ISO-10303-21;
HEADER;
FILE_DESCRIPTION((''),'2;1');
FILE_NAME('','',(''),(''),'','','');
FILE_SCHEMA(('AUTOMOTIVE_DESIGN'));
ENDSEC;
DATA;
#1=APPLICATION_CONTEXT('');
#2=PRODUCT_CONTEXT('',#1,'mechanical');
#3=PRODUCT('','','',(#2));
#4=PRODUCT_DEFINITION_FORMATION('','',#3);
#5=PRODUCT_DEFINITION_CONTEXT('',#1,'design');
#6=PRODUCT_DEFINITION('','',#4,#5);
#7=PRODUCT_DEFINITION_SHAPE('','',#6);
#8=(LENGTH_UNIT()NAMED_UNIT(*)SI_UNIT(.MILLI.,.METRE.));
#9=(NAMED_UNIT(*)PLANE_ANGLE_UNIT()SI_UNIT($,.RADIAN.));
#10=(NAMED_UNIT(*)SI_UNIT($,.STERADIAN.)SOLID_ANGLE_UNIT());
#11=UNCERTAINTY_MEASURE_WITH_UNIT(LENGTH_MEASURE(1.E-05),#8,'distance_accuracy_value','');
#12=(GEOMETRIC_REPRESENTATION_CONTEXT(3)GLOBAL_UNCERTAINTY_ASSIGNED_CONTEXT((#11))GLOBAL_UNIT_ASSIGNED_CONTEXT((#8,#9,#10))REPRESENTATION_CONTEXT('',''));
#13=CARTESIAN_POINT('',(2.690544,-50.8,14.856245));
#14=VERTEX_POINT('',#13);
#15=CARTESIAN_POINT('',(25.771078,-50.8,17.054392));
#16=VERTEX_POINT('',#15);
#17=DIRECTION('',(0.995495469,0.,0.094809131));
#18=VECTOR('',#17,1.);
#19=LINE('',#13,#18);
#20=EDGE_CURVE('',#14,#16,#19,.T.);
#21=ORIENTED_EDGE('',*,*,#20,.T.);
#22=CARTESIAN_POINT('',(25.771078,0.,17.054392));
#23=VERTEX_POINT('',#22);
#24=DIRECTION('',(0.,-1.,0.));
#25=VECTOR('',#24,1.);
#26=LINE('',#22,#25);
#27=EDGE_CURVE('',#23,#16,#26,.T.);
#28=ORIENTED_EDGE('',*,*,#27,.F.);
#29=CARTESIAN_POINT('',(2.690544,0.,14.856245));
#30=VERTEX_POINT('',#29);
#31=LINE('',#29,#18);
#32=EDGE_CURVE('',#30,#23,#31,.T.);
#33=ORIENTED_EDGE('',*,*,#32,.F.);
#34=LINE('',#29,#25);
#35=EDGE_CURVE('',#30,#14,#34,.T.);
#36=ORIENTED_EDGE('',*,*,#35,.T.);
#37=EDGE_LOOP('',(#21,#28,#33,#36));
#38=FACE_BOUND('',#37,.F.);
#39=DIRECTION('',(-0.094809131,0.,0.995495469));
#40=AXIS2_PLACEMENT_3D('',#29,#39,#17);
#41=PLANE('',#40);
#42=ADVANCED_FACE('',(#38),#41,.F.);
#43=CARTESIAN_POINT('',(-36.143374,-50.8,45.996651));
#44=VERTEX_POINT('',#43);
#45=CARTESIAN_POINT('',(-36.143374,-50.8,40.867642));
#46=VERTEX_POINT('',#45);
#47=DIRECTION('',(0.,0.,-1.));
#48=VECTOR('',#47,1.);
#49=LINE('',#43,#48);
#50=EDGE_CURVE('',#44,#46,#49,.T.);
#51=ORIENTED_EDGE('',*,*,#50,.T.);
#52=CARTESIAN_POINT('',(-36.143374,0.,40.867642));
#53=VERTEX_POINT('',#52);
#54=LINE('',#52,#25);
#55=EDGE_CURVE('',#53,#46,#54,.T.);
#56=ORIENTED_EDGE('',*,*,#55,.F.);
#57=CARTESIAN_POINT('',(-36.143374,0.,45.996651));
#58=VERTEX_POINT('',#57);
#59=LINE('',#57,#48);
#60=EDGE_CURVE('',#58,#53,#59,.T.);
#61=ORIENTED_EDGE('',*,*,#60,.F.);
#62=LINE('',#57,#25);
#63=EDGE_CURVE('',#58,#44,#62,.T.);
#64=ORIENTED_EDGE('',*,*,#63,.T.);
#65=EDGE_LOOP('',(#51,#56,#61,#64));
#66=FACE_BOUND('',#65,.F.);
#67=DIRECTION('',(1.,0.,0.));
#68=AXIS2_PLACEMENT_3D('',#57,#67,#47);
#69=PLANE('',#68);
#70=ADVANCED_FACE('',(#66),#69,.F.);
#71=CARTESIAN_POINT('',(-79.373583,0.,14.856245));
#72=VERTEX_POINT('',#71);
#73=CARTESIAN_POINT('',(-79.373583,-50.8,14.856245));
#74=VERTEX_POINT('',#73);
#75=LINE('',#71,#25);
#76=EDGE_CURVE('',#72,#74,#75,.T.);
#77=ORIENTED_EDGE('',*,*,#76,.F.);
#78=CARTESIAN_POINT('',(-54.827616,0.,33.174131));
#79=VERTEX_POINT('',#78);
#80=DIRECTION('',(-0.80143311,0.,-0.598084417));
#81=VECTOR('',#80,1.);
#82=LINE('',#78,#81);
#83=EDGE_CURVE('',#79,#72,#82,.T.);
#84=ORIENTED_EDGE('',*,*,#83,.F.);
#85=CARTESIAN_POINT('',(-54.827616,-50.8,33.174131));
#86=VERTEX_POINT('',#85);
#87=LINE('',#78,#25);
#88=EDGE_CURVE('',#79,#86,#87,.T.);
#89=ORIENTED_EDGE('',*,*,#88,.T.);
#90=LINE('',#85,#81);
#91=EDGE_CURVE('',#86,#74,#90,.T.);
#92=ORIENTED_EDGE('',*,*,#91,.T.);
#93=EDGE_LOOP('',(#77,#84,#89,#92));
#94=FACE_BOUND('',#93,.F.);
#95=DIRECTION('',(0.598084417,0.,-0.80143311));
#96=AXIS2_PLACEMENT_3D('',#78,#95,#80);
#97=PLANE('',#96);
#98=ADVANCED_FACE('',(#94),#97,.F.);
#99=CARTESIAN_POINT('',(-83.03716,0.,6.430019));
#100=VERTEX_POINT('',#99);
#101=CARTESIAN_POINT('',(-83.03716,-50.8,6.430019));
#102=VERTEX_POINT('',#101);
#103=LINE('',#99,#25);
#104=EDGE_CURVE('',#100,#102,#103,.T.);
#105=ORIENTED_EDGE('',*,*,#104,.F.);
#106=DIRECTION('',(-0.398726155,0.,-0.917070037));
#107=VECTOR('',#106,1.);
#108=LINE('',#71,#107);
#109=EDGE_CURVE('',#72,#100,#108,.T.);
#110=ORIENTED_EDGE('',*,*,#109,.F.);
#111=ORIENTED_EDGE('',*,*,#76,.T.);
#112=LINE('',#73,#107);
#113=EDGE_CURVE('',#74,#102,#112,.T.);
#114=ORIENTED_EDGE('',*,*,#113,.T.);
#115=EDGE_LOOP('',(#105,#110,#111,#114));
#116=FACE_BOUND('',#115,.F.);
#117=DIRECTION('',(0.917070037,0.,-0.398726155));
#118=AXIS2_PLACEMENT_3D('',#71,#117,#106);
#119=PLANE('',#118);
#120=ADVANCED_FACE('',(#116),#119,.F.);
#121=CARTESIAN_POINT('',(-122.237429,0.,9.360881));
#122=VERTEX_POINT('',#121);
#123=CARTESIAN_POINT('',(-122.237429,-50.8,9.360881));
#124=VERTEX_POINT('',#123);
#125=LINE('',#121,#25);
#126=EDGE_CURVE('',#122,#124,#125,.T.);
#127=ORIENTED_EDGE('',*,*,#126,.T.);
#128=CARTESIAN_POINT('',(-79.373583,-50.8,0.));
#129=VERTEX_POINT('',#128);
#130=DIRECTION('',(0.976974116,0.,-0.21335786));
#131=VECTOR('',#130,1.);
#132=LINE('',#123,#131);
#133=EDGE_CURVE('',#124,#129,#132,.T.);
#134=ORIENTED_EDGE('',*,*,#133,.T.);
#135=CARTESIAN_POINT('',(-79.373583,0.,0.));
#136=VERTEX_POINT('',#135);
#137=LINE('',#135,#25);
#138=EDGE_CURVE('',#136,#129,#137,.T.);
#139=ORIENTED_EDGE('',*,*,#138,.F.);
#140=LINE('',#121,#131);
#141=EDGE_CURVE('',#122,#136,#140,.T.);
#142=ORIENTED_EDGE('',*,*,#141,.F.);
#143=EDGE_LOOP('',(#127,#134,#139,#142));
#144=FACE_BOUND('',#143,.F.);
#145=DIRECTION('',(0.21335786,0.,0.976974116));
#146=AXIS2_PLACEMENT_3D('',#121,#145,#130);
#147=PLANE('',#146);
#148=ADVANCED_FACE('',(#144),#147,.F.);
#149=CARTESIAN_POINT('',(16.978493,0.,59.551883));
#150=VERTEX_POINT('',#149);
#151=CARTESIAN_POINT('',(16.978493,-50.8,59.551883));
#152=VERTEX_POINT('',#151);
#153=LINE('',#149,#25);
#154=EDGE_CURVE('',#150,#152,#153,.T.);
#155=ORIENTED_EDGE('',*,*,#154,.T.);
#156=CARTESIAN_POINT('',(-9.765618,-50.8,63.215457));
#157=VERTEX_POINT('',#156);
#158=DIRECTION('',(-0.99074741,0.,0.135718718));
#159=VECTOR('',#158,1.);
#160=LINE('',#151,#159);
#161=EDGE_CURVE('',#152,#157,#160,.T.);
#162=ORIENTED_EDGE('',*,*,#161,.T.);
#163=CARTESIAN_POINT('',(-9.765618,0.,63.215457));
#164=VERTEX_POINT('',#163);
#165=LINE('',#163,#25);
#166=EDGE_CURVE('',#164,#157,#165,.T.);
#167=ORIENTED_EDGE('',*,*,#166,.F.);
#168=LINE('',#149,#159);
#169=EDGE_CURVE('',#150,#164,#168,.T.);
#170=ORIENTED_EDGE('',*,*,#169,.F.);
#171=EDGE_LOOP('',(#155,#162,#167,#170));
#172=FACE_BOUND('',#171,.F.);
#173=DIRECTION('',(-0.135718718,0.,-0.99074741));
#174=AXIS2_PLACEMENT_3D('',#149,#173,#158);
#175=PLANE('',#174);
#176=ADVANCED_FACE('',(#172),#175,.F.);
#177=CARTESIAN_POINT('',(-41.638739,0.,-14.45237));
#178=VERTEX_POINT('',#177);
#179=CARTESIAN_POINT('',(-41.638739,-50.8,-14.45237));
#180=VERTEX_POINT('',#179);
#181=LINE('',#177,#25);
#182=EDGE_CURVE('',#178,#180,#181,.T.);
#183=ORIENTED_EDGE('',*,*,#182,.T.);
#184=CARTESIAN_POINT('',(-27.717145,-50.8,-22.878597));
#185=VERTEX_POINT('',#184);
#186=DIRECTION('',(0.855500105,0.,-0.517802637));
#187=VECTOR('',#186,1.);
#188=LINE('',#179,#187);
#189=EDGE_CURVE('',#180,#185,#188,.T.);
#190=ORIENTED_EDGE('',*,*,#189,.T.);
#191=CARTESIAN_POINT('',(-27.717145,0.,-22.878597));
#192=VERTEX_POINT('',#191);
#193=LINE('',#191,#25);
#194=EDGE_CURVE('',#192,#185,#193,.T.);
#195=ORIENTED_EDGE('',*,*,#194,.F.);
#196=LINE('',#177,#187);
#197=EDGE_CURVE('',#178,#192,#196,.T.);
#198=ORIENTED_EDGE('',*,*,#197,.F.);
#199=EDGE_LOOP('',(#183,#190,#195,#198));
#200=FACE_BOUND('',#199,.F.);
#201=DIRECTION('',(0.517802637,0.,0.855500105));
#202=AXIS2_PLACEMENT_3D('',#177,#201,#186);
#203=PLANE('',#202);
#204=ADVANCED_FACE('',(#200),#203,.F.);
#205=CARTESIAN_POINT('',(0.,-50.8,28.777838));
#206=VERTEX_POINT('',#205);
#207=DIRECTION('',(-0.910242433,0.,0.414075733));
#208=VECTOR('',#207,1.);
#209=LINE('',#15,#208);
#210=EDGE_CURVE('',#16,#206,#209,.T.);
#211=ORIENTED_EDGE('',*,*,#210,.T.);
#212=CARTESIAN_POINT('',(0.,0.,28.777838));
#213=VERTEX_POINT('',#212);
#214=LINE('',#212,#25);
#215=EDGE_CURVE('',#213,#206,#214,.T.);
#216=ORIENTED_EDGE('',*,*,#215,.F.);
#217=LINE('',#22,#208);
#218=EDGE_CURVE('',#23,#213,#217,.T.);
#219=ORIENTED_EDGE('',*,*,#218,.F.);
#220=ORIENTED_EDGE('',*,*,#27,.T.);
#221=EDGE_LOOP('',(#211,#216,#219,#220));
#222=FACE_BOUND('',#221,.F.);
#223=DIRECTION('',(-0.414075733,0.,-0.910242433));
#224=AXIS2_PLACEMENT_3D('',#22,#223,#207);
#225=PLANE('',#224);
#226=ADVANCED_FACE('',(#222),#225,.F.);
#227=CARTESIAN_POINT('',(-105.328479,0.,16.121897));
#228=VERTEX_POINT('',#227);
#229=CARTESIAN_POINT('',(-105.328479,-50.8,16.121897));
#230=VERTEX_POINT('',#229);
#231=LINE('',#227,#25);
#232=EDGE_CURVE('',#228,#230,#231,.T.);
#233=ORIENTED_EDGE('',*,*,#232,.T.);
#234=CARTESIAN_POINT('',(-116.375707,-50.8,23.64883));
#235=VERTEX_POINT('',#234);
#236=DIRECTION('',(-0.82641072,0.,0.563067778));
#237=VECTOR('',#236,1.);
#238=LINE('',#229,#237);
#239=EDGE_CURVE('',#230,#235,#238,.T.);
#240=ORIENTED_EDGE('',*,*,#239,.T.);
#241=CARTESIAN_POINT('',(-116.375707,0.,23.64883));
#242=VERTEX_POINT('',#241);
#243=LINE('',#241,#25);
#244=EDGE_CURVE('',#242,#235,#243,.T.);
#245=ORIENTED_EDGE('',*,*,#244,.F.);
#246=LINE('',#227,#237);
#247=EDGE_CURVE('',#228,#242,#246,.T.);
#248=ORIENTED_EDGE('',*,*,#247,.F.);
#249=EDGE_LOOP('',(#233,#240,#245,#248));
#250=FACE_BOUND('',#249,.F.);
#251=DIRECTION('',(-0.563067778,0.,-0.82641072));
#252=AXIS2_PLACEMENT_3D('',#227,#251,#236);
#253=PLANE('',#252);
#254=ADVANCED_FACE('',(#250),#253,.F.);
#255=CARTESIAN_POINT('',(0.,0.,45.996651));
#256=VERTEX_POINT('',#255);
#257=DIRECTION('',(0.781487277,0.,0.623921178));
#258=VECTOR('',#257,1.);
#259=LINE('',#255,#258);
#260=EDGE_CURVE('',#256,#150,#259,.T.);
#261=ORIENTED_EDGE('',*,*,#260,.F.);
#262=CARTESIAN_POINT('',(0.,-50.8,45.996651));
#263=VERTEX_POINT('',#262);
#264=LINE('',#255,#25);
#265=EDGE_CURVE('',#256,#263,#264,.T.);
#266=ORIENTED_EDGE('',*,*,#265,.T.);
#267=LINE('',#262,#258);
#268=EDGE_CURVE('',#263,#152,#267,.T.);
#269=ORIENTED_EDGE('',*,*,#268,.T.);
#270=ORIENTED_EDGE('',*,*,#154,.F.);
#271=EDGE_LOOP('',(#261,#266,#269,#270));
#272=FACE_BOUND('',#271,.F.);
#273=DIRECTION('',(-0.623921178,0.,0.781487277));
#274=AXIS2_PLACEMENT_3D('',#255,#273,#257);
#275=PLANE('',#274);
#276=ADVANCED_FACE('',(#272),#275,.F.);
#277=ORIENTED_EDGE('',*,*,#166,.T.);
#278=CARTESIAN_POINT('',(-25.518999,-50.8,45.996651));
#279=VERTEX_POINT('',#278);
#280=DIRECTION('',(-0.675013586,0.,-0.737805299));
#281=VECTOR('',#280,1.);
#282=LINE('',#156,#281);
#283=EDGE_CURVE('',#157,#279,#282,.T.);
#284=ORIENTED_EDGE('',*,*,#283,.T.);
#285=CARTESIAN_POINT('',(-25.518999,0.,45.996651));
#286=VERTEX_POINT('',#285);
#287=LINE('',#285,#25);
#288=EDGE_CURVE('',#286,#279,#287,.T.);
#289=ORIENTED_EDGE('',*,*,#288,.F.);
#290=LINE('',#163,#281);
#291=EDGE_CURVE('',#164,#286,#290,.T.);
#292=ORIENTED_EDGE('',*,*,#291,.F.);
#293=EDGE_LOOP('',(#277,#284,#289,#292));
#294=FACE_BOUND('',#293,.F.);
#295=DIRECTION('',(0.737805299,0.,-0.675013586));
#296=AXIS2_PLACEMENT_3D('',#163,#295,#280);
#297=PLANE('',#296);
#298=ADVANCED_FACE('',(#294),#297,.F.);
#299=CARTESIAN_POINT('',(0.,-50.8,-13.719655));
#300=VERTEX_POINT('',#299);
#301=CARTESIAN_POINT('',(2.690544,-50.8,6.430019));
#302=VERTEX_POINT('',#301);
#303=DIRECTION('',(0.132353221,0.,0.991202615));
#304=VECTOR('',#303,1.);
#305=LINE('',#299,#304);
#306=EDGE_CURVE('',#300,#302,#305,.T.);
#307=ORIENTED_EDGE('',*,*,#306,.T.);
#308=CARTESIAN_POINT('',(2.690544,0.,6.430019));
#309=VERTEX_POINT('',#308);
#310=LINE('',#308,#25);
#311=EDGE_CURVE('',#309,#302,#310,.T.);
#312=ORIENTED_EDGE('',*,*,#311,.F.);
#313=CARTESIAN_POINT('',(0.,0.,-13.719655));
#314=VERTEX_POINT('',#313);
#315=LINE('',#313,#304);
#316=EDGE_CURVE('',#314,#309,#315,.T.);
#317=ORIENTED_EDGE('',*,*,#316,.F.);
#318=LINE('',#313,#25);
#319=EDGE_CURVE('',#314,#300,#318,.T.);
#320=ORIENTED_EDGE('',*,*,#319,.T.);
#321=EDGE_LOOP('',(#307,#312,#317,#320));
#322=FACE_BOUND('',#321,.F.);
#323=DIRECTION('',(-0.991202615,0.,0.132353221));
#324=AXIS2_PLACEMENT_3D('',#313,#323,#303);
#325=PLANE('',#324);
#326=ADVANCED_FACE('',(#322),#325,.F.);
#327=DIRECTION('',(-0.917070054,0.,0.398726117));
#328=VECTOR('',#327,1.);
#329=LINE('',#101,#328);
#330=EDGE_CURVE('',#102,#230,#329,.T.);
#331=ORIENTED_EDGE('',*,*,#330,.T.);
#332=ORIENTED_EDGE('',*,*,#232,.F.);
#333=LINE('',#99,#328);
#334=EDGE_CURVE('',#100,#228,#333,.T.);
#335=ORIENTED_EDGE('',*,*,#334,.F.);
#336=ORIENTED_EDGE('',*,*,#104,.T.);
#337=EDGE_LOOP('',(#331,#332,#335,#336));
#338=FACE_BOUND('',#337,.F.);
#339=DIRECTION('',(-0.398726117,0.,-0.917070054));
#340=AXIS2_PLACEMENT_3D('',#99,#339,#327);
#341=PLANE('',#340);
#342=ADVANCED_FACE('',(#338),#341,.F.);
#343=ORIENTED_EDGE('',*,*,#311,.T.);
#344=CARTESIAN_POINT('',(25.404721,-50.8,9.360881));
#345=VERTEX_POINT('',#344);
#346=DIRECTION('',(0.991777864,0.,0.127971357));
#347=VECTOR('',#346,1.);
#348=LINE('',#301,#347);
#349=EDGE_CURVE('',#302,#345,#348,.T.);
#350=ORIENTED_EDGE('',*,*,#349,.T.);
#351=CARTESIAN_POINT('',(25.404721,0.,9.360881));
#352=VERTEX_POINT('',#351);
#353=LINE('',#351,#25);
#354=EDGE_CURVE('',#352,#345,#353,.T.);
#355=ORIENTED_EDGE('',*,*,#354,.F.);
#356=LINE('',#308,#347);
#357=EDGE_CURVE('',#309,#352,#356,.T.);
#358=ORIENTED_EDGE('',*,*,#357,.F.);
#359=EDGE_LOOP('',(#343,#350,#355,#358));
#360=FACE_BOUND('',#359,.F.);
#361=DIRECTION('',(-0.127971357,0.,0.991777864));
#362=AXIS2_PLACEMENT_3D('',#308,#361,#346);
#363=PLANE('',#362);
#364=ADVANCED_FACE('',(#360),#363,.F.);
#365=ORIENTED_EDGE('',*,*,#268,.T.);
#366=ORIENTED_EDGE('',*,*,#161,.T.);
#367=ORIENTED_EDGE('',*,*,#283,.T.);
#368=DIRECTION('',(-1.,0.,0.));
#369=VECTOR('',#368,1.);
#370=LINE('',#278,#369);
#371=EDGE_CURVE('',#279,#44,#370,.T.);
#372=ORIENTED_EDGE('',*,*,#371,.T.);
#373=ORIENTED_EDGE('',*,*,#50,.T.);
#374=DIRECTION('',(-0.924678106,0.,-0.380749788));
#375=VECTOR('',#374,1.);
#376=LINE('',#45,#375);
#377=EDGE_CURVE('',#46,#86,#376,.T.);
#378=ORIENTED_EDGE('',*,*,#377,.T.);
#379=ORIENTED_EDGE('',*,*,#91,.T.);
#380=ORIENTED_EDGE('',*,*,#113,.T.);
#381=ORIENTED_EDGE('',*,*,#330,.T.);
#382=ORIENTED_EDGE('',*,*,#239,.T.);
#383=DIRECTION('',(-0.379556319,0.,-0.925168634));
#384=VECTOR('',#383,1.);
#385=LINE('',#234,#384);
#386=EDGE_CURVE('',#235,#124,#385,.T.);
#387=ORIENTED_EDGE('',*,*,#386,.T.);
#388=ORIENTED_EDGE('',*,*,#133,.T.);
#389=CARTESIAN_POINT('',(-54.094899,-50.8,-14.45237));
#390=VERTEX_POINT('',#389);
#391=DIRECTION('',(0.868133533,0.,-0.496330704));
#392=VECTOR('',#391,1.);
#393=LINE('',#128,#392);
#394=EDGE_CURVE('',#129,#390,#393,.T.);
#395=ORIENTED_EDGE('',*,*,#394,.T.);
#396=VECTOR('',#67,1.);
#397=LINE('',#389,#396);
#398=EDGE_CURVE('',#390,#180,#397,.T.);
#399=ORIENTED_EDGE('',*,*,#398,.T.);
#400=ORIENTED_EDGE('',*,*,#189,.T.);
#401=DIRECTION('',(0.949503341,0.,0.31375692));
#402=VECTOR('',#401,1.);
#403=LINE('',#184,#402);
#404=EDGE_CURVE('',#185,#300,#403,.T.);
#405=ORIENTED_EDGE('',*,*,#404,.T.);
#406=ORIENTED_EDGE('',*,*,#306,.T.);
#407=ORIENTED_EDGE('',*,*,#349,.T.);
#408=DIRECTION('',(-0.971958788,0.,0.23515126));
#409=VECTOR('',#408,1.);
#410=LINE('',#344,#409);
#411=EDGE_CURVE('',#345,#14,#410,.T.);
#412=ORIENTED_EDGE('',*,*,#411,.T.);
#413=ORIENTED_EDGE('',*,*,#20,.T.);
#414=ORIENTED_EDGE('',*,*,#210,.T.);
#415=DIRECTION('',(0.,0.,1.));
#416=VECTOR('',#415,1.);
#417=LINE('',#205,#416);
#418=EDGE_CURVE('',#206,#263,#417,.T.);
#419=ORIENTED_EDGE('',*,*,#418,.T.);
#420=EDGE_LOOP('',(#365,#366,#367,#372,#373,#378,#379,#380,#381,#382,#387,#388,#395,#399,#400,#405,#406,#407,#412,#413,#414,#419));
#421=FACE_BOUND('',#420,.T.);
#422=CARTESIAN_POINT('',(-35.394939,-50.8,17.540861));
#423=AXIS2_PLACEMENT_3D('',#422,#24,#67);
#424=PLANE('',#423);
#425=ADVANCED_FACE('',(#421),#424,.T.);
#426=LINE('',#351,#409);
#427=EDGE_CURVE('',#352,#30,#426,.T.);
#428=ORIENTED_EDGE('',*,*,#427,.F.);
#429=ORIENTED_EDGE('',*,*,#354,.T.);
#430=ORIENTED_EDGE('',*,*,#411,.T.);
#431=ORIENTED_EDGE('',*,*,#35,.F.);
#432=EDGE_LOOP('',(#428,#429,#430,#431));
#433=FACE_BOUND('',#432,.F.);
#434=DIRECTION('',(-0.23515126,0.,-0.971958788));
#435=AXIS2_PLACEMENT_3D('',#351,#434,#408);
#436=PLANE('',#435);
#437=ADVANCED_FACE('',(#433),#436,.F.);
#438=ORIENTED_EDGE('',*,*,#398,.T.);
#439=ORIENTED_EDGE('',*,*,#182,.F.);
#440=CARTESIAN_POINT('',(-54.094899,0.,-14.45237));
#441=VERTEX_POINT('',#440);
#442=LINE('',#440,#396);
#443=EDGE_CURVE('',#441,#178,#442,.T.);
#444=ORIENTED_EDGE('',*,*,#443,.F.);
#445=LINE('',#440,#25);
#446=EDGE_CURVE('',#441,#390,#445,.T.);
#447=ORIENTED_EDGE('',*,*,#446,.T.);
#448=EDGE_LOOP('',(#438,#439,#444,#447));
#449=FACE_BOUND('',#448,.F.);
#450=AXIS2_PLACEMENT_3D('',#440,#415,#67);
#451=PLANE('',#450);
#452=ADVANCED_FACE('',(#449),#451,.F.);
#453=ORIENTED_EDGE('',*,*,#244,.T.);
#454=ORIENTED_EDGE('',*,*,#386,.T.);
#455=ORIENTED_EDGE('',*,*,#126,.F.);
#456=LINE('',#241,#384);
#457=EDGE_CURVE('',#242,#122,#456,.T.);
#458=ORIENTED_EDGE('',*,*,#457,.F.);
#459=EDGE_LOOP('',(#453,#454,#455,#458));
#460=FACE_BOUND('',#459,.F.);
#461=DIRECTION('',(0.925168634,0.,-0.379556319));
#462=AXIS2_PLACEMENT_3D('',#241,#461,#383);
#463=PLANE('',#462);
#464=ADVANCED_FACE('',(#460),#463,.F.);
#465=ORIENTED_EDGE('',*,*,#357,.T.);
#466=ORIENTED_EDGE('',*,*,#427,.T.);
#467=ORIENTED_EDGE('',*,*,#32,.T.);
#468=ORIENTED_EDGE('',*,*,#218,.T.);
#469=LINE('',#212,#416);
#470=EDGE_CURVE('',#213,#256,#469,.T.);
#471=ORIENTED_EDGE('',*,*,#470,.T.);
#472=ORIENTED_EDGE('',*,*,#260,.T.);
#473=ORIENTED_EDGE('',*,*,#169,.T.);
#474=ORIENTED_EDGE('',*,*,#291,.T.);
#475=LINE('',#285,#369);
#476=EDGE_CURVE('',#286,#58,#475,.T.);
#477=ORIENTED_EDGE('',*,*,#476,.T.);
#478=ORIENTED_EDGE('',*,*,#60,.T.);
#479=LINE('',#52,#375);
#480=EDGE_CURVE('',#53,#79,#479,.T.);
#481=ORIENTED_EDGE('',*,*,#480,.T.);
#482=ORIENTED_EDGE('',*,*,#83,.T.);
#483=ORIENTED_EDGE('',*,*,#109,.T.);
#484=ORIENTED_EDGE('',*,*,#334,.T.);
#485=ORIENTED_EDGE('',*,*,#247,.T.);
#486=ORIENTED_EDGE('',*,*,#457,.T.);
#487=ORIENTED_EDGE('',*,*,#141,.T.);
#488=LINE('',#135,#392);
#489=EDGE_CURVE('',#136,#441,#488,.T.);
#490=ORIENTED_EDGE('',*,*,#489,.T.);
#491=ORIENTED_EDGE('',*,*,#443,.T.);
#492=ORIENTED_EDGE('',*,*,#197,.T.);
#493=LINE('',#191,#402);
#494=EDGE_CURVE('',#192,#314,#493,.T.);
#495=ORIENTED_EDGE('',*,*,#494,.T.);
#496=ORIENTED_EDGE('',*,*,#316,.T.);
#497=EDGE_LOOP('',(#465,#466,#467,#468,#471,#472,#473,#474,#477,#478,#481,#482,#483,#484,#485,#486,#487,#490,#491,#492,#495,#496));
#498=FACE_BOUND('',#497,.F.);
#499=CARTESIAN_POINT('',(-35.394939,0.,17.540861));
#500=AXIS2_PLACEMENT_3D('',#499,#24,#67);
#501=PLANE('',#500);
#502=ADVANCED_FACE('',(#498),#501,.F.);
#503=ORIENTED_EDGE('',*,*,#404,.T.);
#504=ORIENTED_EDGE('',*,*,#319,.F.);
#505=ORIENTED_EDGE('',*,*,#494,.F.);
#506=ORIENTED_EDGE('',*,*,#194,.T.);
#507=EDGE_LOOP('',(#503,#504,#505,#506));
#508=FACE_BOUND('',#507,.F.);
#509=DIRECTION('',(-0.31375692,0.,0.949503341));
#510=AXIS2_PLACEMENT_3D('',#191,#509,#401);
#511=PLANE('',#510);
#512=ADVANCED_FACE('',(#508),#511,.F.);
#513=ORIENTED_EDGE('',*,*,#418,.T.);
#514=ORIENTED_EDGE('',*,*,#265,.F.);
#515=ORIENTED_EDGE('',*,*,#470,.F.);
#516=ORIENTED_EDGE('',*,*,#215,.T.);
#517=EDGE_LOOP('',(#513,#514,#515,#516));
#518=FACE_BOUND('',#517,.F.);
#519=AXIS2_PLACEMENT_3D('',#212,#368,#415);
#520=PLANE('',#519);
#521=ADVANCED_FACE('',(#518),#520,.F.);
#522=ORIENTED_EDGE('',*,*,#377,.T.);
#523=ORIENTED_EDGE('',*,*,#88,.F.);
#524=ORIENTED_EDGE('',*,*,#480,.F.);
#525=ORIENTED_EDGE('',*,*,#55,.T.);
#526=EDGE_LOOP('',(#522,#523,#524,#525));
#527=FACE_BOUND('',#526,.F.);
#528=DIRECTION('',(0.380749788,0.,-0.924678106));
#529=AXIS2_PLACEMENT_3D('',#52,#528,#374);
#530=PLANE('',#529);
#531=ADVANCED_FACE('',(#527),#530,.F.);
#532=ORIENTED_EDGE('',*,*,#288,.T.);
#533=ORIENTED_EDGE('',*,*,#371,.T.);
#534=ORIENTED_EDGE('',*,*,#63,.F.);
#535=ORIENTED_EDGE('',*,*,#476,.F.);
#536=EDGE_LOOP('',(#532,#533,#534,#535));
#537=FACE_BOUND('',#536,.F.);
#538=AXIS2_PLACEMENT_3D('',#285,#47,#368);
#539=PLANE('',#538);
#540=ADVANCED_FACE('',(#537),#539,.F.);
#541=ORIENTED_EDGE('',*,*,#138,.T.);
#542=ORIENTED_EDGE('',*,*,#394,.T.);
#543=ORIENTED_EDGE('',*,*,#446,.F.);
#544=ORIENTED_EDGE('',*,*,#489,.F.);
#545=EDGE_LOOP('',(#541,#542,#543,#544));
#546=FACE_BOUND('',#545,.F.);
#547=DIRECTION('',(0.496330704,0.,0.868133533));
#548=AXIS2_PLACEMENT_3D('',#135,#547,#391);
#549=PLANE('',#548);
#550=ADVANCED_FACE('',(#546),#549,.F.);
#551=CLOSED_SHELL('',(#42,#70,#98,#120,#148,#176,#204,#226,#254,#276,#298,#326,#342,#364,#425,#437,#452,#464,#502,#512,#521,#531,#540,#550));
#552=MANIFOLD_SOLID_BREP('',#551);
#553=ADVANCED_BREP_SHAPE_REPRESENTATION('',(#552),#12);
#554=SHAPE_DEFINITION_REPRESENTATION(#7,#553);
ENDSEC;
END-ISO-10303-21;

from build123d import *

# Parameters (mm, degrees)
F1_DEPTH = 50.8


with BuildPart() as f1:
    # F0 (on Front) → F1 (new body)
    with BuildSketch(Plane.XZ):
        Polygon((2.690544, 14.856245), (25.771078, 17.054392), (0, 28.777838), (0, 45.996651), (16.978493, 59.551883), (-9.765618, 63.215457), (-25.518999, 45.996651), (-36.143374, 45.996651), (-36.143374, 40.867642), (-54.827616, 33.174131), (-79.373583, 14.856245), (-83.03716, 6.430019), (-105.328479, 16.121897), (-116.375707, 23.64883), (-122.237429, 9.360881), (-79.373583, 0), (-54.094899, -14.45237), (-41.638739, -14.45237), (-27.717145, -22.878597), (0, -13.719655), (2.690544, 6.430019), (25.404721, 9.360881), align=None)
    extrude(amount=F1_DEPTH)


solid = f1.part
